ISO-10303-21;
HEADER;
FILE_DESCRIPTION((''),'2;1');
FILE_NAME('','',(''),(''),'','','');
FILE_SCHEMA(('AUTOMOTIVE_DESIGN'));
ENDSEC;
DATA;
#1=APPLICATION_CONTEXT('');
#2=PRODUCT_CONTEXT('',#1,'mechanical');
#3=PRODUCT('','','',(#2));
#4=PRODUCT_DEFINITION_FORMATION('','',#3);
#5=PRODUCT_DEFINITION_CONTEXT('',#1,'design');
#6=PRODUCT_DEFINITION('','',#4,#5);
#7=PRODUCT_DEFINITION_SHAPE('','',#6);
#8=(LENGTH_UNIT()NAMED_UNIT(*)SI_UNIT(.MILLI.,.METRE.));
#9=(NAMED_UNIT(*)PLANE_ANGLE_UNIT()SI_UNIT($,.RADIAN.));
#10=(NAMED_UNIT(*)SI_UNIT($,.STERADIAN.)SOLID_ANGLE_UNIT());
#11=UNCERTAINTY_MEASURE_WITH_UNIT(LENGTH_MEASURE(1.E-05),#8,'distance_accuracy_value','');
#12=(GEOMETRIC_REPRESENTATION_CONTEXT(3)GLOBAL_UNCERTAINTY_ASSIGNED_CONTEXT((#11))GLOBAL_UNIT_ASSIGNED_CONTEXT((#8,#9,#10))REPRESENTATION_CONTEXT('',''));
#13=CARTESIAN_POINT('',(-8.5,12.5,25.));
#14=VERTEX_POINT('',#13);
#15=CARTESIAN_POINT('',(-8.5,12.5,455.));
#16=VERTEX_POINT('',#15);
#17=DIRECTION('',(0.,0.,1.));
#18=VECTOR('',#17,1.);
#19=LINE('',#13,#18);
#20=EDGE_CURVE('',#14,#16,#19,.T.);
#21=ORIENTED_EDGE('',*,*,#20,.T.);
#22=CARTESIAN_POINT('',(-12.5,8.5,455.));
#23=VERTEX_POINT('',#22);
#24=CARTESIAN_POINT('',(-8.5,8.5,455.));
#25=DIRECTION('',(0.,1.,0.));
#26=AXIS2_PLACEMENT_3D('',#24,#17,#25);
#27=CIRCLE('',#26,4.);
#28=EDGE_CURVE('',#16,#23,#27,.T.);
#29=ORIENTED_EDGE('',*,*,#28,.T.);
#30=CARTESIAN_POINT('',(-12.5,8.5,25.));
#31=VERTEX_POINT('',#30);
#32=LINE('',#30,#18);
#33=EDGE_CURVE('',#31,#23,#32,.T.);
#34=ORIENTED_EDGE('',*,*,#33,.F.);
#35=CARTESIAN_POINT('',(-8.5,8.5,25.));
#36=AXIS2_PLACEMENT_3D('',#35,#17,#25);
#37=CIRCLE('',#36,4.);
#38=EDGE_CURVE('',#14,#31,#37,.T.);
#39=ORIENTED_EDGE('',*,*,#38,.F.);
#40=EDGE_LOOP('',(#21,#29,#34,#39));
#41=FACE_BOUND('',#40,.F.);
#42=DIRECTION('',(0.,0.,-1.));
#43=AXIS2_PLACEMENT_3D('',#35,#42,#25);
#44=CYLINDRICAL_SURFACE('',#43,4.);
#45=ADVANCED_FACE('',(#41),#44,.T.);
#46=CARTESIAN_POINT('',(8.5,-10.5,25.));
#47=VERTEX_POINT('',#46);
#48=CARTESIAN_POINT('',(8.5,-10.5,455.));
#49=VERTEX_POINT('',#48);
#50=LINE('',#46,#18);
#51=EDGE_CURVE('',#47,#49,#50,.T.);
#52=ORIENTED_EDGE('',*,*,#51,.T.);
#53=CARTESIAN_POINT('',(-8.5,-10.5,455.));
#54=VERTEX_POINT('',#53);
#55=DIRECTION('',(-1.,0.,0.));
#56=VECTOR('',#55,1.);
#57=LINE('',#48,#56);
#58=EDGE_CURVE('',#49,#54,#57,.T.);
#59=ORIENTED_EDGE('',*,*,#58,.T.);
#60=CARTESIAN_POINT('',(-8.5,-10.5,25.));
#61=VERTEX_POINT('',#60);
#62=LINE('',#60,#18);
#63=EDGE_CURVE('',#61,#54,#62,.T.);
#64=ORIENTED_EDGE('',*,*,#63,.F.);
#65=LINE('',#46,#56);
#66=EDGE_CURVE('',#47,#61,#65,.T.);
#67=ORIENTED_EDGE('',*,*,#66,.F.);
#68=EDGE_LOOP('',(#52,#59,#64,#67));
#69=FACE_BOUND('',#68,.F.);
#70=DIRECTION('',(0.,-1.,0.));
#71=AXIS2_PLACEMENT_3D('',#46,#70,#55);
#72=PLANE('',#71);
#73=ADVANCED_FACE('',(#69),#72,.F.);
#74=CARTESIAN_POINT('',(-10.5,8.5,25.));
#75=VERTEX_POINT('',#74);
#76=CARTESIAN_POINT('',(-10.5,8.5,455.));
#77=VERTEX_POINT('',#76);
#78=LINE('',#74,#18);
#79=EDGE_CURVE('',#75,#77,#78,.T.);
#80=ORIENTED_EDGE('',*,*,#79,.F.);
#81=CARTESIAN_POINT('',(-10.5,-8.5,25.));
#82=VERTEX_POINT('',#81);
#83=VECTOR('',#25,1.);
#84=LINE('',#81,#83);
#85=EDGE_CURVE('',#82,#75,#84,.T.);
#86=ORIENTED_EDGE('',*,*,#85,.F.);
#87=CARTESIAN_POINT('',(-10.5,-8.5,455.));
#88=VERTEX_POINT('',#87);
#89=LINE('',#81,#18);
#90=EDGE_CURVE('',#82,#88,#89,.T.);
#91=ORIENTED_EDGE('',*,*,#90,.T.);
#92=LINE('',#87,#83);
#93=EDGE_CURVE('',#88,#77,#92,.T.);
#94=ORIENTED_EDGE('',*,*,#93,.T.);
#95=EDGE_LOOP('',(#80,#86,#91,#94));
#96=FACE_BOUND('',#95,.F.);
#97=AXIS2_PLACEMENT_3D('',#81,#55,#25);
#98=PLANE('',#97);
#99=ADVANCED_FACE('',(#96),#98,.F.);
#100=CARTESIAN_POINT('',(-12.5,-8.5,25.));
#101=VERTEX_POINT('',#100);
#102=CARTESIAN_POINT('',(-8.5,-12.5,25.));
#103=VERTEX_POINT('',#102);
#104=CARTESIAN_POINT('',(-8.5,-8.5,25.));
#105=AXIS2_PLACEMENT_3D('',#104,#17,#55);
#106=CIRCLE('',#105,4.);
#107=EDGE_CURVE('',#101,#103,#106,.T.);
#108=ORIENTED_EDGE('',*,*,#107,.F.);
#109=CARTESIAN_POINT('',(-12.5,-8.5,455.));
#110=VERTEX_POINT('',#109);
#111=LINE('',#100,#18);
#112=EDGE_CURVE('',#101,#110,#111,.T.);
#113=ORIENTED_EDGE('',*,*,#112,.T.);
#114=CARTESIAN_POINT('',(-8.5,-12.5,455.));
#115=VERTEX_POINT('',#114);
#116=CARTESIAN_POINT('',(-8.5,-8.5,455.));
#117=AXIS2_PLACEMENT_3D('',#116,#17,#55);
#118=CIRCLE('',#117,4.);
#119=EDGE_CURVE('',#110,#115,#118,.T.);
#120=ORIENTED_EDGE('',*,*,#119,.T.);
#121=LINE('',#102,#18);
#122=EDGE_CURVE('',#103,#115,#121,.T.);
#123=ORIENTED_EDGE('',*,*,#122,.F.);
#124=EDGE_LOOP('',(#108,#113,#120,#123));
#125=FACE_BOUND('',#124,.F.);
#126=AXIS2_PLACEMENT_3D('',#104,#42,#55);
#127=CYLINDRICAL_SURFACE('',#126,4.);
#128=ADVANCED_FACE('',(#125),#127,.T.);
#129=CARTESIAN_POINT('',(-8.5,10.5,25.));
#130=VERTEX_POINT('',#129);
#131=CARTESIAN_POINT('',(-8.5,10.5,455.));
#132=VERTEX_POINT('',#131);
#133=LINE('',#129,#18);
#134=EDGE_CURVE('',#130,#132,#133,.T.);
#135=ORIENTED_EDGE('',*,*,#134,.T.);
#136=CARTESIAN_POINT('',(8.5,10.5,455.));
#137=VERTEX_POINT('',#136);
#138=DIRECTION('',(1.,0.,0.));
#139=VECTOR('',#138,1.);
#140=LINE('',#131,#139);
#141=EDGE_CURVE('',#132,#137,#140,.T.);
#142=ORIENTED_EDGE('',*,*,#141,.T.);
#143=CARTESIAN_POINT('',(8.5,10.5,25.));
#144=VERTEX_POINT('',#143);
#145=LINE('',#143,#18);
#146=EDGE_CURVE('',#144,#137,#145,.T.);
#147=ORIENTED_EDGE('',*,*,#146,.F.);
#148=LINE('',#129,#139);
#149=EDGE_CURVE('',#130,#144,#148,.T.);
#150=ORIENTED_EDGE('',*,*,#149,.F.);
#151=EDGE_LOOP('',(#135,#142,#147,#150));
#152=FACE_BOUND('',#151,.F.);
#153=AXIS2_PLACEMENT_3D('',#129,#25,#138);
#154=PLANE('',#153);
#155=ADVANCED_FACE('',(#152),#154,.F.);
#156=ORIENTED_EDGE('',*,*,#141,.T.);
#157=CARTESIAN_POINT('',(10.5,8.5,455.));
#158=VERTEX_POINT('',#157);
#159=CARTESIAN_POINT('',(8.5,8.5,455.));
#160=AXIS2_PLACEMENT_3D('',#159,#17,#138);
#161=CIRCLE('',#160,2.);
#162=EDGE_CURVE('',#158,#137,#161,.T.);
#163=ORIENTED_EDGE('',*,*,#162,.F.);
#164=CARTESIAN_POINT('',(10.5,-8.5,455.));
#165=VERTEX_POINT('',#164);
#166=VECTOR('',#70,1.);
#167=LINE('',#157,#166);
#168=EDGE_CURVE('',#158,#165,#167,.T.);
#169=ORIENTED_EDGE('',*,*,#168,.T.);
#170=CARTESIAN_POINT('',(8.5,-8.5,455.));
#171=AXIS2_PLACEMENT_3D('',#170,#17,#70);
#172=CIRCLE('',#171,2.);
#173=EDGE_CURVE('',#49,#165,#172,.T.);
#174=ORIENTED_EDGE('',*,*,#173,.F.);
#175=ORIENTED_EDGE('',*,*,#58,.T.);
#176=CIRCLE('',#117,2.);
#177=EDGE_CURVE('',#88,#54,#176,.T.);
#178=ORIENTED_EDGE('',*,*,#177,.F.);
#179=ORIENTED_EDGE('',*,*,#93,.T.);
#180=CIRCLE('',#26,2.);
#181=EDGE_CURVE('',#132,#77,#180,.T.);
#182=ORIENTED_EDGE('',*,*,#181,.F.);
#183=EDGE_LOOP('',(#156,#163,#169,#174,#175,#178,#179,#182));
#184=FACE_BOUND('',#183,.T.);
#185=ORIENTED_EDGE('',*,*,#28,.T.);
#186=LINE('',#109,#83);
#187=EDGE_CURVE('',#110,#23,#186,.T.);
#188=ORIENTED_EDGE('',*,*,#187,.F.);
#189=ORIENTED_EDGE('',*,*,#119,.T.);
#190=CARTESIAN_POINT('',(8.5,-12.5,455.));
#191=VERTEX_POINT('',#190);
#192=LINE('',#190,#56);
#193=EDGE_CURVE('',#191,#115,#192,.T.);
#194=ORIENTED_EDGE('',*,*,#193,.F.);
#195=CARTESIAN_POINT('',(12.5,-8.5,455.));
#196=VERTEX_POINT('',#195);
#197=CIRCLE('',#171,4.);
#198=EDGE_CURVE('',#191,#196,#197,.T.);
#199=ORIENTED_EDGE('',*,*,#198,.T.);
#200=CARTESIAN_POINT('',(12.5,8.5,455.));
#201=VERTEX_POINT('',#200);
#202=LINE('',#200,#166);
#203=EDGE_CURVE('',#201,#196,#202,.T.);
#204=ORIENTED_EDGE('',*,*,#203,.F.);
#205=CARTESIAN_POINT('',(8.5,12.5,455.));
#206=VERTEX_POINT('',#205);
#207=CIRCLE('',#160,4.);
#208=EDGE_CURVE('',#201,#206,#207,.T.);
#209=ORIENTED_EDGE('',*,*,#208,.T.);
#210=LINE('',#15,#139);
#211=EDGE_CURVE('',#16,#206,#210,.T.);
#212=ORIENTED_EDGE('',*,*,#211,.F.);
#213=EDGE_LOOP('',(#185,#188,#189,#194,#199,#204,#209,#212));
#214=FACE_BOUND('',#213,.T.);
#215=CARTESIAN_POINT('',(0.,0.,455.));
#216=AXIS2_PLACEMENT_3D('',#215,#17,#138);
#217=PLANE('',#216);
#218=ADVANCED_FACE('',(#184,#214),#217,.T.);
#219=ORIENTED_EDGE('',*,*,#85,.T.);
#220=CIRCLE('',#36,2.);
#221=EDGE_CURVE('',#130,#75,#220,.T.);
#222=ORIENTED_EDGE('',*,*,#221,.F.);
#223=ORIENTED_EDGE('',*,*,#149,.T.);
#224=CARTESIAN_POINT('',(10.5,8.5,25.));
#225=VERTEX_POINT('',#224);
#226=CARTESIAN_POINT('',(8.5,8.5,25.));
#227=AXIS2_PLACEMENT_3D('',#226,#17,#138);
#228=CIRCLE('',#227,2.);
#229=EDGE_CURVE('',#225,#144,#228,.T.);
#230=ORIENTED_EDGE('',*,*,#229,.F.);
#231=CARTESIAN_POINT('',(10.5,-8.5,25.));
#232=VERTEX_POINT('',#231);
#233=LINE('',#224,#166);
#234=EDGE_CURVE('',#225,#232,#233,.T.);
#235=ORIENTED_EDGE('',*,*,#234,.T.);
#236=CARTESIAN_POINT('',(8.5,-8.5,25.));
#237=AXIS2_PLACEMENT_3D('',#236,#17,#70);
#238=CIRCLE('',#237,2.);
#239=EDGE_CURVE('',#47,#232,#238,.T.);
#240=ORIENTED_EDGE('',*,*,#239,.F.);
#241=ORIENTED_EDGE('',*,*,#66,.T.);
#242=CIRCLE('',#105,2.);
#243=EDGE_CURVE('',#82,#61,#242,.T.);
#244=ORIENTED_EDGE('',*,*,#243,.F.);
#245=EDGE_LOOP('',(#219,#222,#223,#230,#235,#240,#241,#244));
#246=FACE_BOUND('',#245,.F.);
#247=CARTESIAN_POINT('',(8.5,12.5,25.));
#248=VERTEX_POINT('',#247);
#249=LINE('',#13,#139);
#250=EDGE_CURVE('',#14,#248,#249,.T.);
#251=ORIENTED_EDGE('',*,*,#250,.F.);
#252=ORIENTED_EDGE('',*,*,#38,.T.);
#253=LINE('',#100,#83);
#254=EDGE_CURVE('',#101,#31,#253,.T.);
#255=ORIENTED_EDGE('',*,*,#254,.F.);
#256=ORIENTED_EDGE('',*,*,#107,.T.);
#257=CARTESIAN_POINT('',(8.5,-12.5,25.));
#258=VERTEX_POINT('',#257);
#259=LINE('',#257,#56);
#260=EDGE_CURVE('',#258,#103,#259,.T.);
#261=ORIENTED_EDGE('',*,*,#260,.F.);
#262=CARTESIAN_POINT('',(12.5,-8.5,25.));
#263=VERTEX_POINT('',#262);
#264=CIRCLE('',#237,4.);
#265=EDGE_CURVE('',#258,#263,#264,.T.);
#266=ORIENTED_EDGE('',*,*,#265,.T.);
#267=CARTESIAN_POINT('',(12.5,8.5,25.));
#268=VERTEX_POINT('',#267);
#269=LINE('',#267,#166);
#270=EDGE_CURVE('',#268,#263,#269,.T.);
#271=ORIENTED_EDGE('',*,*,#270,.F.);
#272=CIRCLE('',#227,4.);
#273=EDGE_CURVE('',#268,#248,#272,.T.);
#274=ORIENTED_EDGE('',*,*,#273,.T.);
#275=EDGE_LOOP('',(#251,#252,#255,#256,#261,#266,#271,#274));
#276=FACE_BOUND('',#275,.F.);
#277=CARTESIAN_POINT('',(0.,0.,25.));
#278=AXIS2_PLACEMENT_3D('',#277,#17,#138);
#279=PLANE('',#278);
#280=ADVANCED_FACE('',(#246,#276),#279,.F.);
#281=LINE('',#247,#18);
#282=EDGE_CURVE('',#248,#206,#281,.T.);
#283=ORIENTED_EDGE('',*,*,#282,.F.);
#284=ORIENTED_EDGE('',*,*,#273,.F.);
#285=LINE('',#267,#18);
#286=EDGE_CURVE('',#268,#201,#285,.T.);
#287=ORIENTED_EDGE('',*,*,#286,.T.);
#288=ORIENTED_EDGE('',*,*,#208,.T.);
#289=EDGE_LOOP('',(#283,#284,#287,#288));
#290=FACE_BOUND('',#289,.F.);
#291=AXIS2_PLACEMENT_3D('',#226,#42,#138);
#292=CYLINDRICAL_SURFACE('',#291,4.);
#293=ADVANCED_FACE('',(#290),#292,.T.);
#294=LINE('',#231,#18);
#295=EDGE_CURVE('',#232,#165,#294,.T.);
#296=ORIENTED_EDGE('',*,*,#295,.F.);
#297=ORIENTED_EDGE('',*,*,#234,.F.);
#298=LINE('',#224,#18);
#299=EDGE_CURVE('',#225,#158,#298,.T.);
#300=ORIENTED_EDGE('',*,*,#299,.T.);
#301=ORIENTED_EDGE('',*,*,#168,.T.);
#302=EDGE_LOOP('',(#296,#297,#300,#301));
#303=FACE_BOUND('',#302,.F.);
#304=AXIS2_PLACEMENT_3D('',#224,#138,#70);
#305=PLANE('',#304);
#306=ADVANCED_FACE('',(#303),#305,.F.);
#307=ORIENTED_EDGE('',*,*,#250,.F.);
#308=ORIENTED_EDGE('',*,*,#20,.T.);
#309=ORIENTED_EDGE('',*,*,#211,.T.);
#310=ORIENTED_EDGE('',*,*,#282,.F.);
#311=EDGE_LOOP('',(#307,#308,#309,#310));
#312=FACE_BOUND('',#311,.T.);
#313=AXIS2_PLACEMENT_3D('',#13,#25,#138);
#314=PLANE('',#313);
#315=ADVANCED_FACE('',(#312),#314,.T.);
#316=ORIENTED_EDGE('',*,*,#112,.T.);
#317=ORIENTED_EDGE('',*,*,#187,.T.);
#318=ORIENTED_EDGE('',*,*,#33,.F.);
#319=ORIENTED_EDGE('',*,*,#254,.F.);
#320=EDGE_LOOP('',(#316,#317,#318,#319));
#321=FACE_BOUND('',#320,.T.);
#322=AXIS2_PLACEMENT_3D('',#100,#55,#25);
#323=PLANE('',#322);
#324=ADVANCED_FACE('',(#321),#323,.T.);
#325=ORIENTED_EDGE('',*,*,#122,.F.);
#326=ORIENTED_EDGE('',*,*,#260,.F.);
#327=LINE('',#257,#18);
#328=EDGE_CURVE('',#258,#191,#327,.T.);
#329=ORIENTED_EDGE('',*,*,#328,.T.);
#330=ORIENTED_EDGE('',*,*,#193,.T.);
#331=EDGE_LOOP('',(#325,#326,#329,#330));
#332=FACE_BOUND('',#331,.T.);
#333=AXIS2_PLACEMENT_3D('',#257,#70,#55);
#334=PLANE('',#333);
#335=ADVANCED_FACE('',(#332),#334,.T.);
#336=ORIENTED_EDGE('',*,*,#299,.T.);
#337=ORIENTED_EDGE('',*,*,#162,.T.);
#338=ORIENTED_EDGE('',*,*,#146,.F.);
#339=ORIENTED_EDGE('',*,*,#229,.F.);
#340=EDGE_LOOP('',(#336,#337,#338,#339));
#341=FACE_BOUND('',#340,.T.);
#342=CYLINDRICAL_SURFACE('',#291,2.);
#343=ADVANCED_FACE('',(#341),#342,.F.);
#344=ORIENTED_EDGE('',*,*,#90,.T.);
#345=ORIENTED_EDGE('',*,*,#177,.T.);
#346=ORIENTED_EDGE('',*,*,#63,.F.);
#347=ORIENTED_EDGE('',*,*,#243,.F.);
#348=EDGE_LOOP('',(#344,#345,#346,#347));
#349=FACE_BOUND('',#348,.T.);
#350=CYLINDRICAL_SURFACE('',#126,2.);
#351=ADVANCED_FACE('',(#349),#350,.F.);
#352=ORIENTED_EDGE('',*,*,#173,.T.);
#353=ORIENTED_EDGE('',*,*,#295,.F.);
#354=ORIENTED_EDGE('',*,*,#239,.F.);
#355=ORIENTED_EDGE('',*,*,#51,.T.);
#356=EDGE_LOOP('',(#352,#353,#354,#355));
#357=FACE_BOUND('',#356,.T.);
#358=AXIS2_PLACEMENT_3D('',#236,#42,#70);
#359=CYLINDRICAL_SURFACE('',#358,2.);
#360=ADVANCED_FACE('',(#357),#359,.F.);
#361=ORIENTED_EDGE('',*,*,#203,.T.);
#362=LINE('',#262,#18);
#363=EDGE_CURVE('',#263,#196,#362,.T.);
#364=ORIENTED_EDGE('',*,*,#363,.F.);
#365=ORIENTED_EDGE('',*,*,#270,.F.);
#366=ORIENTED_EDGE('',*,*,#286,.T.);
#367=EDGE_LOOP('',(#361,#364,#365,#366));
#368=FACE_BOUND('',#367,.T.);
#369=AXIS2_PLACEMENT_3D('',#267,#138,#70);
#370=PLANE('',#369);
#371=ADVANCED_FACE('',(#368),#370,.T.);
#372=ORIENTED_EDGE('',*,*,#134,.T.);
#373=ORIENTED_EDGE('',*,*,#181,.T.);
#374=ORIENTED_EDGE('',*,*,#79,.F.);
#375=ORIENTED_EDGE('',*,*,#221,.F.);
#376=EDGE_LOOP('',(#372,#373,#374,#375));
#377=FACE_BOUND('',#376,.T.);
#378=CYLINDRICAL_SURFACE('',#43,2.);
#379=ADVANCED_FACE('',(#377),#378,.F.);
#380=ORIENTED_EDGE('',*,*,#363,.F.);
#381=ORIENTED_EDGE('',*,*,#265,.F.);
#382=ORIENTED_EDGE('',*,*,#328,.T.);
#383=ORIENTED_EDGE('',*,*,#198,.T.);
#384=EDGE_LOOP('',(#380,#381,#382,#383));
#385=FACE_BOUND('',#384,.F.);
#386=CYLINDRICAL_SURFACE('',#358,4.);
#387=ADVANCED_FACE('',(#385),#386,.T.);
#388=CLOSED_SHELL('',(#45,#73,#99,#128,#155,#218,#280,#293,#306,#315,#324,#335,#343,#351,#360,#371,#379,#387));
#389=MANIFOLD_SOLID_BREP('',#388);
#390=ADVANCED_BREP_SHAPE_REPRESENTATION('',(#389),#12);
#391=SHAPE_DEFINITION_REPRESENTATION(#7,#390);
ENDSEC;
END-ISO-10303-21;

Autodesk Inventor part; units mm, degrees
ref_plane "Start plane" through (0, 0, 25) normal (0, 0, 1) x (1, 0, 0)
ref_plane "End plane" through (0, 0, 455) normal (0, 0, 1) x (1, 0, 0)
sketch "Sketch" plane through (0, 0, 0) normal (0, 0, 1) x (1, 0, 0)
  line L0 (-12.5, -8.5) -> (-12.5, 8.5)
  line L1 (-8.5, 12.5) -> (8.5, 12.5)
  line L2 (12.5, 8.5) -> (12.5, -8.5)
  line L3 (8.5, -12.5) -> (-8.5, -12.5)
  arc A0 (-12.5, -8.5) -> (-8.5, -12.5) centre (-8.5, -8.5) ccw
  arc A1 (12.5, 8.5) -> (8.5, 12.5) centre (8.5, 8.5) ccw
  arc A2 (-8.5, 12.5) -> (-12.5, 8.5) centre (-8.5, 8.5) ccw
  arc A3 (8.5, -12.5) -> (12.5, -8.5) centre (8.5, -8.5) ccw
  arc A4 (-8.5, 10.5) -> (-10.5, 8.5) centre (-8.5, 8.5) ccw
  line L4 (-8.5, 10.5) -> (8.5, 10.5)
  arc A5 (10.5, 8.5) -> (8.5, 10.5) centre (8.5, 8.5) ccw
  line L5 (10.5, 8.5) -> (10.5, -8.5)
  arc A6 (8.5, -10.5) -> (10.5, -8.5) centre (8.5, -8.5) ccw
  line L6 (8.5, -10.5) -> (-8.5, -10.5)
  arc A7 (-10.5, -8.5) -> (-8.5, -10.5) centre (-8.5, -8.5) ccw
  line L7 (-10.5, -8.5) -> (-10.5, 8.5)
  line L8 (0, 18.6598) -> (0, -18.6598) construction
  line L9 (-18.6598, 0) -> (18.6598, 0) construction
  dimension "d7" = 4
  dimension "d9" = 25
  dimension "d11" = 25
  dimension "d12" = 2
  dimension "d15" = 12.5
  dimension "d16" = 12.5
extrude "Body" add sketch "Sketch" along normal up to surface (430 mm away) from surface at 25
sketch "Sketch3" plane through (0, 0, 0) normal (0, 0, 1) x (1, 0, 0)
  line L0 (0, 0) -> (10, 0)
ref_plane "Work Plane3" through (0, 0, 0) normal (0, -1, 0) x (1, 0, 0)
sketch "Sketch4" plane through (0, 0, 0) normal (0, -1, 0) x (1, 0, 0)
  line L0 (-2, 25) -> (12, 25)
  line L1 (-2, 455) -> (12, 455)
  dimension "d18" = 430
ref_plane "Work Plane4" through (-8.5, 12.5, 25) normal (0, 0, -1) x (-1, 0, 0)
split "Split1" plane through (-8.5, 12.5, 25) removes the side toward (0, 0, -1)
ref_plane "Work Plane5" through (-27.5, 8.5, 455) normal (0, 0, 1) x (1, 0, 0)
split "Split2" plane through (-27.5, 8.5, 455) removes the side toward (0, 0, 1)
equation "\"d7\" = G_IR"
equation "\"d9\" = G_W"
equation "\"d11\" = G_H"
equation "\"d12\" = G_T"
equation "\"d15\" = 0.5 * d9"
equation "\"d16\" = 0.5 * d11"
equation "\"d3\" = G_L"
equation "\"G_W\" = 25"
equation "\"G_H\" = 25"
equation "\"G_T\" = 2"
equation "\"G_IR\" = 4"
equation "\"G_L\" = d18"
equation "\"G_OFFSET_START\" = -25"
equation "\"G_OFFSET_END\" = -25"
equation "\"d13\" = -G_OFFSET_START"
equation "\"d14\" = G_OFFSET_END + B_L"
equation "\"B_L\" = 480"
properties part number "ISO 4019 - 25x25x2 - 430" material "Steel, Mild"
